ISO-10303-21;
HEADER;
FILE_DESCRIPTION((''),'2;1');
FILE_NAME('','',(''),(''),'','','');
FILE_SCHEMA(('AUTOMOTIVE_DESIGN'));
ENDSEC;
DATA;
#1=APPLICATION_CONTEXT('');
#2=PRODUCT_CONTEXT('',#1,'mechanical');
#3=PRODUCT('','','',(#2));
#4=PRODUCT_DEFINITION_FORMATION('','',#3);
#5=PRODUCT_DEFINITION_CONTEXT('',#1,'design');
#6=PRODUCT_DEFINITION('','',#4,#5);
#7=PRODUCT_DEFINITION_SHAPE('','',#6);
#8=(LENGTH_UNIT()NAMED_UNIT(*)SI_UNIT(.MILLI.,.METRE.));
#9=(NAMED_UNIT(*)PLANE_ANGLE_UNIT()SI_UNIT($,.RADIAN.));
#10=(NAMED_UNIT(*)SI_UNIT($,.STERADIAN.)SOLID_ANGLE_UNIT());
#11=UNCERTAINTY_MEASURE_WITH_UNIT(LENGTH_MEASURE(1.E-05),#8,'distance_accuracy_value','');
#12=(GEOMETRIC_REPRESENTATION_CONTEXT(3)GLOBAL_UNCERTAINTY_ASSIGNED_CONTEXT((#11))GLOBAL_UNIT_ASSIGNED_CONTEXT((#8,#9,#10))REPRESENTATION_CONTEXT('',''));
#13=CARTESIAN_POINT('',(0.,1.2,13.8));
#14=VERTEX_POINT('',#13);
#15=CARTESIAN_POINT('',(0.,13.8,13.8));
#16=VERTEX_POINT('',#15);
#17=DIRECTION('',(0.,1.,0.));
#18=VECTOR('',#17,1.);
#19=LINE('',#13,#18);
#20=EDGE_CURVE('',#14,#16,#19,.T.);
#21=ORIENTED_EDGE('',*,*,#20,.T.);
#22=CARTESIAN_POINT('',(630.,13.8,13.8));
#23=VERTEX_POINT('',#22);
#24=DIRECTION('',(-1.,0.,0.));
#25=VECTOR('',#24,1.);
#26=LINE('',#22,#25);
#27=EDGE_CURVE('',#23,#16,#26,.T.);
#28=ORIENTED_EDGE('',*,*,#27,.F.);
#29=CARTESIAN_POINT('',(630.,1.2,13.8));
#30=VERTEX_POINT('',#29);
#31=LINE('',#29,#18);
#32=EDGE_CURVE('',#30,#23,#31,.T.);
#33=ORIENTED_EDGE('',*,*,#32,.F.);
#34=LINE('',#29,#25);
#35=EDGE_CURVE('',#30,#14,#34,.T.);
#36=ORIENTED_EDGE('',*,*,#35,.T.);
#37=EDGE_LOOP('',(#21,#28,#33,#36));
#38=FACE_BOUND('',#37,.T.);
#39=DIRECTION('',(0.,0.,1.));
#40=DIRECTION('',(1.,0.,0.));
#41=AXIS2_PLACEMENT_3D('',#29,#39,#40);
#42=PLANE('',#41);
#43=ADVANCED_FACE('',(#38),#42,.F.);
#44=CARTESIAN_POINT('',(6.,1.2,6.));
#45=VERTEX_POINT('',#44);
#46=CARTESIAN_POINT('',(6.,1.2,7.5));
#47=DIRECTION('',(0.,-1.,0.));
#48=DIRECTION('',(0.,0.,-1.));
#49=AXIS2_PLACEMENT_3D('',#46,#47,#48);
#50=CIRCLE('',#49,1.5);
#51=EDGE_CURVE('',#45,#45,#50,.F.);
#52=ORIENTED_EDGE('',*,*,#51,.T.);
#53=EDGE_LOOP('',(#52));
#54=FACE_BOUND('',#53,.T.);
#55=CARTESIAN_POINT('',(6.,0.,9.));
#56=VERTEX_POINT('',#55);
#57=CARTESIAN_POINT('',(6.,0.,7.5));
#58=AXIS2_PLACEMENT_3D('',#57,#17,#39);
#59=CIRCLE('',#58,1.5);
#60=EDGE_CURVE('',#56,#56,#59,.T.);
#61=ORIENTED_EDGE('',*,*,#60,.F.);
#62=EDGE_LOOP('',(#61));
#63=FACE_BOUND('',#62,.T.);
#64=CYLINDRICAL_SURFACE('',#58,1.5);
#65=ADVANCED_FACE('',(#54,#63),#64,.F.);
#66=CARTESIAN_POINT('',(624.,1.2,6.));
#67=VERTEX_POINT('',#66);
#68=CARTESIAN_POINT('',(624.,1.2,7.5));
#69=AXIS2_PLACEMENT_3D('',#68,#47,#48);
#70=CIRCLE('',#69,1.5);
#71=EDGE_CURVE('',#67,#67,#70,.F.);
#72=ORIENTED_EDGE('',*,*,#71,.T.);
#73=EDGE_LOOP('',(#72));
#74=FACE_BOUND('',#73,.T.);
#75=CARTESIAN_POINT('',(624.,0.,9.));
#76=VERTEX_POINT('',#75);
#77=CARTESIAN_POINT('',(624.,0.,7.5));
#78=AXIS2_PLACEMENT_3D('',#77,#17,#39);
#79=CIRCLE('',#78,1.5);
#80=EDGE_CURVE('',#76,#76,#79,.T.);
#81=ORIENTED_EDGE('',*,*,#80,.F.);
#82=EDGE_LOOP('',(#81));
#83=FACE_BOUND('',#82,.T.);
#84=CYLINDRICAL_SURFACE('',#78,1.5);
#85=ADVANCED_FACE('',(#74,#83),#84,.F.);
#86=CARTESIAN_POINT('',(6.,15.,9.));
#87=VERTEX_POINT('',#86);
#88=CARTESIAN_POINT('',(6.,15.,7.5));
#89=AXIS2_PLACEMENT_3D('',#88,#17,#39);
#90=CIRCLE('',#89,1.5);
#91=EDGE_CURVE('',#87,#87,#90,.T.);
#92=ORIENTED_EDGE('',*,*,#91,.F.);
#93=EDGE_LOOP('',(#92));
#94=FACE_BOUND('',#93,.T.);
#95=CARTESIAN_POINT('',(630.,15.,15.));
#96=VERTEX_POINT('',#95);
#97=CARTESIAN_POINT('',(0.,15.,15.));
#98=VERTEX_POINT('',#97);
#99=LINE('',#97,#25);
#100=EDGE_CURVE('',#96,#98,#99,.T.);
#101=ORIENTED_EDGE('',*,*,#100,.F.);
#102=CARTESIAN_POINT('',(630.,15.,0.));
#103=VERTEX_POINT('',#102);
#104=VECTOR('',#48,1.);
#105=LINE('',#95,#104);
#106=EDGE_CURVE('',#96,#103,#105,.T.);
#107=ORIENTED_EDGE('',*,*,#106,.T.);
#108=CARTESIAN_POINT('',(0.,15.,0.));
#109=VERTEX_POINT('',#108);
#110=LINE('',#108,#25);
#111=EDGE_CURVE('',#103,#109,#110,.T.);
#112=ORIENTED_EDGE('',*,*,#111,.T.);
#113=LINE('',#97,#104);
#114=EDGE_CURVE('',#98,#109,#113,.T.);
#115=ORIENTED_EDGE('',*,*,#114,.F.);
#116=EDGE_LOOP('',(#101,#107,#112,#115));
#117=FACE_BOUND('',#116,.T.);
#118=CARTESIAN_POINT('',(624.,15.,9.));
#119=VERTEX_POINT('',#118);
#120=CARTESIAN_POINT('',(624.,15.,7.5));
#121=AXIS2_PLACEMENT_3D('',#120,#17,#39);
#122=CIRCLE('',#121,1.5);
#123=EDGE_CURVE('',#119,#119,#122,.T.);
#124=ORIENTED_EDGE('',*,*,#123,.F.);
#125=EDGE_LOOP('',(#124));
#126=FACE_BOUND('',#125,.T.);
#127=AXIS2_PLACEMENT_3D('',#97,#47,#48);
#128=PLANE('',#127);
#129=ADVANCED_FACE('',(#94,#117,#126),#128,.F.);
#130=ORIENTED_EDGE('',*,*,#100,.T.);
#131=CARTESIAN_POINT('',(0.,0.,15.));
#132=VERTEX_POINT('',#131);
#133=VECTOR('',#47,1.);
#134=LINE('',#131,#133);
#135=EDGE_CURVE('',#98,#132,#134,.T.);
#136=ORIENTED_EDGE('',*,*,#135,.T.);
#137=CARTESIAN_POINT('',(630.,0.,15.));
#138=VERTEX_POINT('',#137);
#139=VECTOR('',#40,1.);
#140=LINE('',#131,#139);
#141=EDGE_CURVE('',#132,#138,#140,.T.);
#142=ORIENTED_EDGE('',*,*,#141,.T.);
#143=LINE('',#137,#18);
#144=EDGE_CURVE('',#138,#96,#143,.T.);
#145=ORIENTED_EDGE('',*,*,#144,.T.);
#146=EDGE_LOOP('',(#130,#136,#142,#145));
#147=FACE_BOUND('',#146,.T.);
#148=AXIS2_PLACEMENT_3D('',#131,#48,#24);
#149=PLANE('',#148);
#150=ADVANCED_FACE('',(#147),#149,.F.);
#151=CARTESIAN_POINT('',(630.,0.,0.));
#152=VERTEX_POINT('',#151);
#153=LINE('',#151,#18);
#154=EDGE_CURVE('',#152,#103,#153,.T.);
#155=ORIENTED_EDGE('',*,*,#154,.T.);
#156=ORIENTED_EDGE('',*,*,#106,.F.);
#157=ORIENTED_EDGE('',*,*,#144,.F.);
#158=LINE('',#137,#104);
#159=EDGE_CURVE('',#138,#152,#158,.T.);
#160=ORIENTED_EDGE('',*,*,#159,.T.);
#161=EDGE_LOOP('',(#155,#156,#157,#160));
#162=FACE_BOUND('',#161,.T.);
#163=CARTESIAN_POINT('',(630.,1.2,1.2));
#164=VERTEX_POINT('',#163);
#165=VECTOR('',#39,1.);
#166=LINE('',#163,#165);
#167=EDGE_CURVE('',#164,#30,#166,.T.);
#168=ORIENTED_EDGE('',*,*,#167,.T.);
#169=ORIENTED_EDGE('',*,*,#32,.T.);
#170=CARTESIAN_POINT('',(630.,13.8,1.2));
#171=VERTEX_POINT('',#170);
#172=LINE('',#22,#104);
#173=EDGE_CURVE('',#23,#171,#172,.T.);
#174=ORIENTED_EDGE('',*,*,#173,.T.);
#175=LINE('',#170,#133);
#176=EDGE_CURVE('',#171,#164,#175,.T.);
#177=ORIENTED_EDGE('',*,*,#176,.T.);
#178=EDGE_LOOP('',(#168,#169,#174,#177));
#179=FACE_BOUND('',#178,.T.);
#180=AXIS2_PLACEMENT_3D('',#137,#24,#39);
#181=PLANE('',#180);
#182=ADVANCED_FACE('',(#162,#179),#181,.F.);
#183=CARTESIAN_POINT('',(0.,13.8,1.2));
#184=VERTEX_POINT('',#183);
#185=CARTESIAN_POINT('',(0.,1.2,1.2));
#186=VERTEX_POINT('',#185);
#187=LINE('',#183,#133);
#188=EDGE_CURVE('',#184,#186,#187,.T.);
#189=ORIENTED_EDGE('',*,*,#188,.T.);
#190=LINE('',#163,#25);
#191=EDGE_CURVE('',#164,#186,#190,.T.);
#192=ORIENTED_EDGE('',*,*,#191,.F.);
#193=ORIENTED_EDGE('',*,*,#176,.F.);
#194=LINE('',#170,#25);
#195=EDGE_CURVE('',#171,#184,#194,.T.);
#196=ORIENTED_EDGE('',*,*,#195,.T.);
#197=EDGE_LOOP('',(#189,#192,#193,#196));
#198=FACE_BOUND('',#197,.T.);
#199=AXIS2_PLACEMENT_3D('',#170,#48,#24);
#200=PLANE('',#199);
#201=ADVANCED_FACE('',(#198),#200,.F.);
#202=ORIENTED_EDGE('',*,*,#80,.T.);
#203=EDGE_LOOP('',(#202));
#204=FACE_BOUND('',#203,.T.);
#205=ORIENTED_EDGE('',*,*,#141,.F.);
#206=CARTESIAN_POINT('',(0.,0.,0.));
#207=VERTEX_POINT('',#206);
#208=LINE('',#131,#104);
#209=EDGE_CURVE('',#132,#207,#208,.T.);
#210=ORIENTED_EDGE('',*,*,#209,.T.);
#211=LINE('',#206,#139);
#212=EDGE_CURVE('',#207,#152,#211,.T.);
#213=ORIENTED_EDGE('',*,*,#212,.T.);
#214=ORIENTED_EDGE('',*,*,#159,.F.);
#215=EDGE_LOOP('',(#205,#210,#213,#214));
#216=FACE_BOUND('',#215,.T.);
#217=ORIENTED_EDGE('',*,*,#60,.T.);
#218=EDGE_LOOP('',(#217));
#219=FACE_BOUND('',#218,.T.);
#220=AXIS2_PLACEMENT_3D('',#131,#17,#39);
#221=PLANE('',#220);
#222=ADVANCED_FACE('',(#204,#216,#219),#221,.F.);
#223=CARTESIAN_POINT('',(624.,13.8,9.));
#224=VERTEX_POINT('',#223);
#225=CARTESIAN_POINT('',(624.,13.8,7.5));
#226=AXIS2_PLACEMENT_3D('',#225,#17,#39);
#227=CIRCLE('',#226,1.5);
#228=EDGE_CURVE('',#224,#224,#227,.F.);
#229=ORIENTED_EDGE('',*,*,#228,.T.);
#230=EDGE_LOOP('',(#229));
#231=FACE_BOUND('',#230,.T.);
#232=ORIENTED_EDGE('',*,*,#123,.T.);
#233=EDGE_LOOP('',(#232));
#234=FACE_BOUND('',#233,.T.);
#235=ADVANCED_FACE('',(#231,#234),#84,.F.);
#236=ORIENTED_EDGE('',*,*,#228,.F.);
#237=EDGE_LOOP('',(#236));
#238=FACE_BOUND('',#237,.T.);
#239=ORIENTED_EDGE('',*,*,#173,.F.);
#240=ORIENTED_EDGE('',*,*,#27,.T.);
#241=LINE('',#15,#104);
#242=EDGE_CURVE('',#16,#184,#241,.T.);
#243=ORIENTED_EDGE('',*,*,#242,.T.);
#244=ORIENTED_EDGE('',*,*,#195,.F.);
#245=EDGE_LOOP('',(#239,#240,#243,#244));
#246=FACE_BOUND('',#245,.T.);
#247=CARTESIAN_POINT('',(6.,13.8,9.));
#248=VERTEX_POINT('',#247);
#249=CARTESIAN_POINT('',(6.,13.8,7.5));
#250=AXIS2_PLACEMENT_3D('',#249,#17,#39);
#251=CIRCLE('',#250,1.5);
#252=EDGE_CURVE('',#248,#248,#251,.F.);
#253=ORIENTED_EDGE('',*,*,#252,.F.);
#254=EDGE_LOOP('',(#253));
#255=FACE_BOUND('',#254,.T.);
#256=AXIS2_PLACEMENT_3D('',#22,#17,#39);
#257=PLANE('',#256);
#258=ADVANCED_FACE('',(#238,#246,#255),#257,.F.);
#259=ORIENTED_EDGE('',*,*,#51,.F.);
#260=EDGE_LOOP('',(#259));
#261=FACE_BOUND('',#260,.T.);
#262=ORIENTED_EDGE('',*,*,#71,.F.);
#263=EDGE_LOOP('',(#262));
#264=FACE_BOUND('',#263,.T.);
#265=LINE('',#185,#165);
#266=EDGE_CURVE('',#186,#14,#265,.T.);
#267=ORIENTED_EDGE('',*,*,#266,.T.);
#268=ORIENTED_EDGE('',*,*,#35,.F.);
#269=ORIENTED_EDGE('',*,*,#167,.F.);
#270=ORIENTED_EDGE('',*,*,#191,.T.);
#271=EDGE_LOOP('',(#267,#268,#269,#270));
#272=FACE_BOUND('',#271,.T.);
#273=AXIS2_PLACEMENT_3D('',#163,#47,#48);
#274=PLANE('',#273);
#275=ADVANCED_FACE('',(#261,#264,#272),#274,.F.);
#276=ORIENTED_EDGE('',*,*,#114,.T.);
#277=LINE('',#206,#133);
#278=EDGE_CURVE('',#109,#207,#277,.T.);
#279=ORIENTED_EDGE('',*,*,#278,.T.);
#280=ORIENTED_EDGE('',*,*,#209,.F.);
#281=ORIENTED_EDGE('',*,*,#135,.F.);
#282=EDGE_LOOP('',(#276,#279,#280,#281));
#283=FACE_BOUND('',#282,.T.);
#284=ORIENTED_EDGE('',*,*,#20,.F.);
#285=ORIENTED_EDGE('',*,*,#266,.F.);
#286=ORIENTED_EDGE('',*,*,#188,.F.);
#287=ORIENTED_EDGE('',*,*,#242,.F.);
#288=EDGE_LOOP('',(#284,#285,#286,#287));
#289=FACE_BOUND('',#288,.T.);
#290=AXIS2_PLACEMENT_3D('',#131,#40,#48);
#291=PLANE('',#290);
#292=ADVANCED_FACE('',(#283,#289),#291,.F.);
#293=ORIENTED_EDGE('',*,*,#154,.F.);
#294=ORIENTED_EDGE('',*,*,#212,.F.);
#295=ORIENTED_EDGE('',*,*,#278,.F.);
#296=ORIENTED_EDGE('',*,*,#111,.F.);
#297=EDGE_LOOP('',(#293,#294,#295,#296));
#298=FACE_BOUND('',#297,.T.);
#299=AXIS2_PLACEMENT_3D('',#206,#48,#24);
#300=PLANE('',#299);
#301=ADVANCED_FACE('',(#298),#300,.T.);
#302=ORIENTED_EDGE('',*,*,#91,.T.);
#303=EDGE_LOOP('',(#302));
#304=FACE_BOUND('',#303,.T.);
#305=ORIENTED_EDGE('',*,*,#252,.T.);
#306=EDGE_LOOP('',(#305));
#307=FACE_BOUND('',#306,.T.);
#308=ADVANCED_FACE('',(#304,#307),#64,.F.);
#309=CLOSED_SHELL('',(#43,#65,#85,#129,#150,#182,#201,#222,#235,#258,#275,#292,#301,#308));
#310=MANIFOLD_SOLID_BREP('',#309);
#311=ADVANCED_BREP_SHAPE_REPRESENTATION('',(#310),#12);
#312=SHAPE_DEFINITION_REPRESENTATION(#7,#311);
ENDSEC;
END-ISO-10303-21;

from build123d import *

# Parameters (mm, degrees)
SKETCH_1_W          = 630
SKETCH_1_H          = 15
EXTRUDE_1_DEPTH     = 15
SKETCH_2_R          = 1.5
CUT_EXTRUDE_1_DEPTH = 631.357041684
SKETCH_3_W          = 12.6
SKETCH_3_H          = 12.6
CUT_EXTRUDE_2_DEPTH = 631.357041684


with BuildPart() as part:
    # ｽｹｯﾁ1 → ﾎﾞｽ - 押し出し1 (new body)
    with BuildSketch(Plane.XY):
        with Locations((315, 7.5)):
            Rectangle(SKETCH_1_W, SKETCH_1_H)
    extrude(amount=EXTRUDE_1_DEPTH)

    # ｽｹｯﾁ2 → ｶｯﾄ - 押し出し1 (cut, through all)
    with BuildSketch(Plane(origin=(0, 15, 0), x_dir=(1, 0, 0), z_dir=(0, 1, 0))):
        with Locations(Location((6, -7.5, 0), (0, 0, 270))):
            Circle(SKETCH_2_R)
        with Locations(Location((624, -7.5, 0), (0, 0, 270))):
            Circle(SKETCH_2_R)
    extrude(amount=-CUT_EXTRUDE_1_DEPTH, mode=Mode.SUBTRACT)

    # ｽｹｯﾁ3 → ｶｯﾄ - 押し出し2 (cut, through all)
    with BuildSketch(Plane.ZY):
        with Locations((7.5, 7.5)):
            Rectangle(SKETCH_3_W, SKETCH_3_H)
    extrude(amount=-CUT_EXTRUDE_2_DEPTH, mode=Mode.SUBTRACT)


solid = part.part
